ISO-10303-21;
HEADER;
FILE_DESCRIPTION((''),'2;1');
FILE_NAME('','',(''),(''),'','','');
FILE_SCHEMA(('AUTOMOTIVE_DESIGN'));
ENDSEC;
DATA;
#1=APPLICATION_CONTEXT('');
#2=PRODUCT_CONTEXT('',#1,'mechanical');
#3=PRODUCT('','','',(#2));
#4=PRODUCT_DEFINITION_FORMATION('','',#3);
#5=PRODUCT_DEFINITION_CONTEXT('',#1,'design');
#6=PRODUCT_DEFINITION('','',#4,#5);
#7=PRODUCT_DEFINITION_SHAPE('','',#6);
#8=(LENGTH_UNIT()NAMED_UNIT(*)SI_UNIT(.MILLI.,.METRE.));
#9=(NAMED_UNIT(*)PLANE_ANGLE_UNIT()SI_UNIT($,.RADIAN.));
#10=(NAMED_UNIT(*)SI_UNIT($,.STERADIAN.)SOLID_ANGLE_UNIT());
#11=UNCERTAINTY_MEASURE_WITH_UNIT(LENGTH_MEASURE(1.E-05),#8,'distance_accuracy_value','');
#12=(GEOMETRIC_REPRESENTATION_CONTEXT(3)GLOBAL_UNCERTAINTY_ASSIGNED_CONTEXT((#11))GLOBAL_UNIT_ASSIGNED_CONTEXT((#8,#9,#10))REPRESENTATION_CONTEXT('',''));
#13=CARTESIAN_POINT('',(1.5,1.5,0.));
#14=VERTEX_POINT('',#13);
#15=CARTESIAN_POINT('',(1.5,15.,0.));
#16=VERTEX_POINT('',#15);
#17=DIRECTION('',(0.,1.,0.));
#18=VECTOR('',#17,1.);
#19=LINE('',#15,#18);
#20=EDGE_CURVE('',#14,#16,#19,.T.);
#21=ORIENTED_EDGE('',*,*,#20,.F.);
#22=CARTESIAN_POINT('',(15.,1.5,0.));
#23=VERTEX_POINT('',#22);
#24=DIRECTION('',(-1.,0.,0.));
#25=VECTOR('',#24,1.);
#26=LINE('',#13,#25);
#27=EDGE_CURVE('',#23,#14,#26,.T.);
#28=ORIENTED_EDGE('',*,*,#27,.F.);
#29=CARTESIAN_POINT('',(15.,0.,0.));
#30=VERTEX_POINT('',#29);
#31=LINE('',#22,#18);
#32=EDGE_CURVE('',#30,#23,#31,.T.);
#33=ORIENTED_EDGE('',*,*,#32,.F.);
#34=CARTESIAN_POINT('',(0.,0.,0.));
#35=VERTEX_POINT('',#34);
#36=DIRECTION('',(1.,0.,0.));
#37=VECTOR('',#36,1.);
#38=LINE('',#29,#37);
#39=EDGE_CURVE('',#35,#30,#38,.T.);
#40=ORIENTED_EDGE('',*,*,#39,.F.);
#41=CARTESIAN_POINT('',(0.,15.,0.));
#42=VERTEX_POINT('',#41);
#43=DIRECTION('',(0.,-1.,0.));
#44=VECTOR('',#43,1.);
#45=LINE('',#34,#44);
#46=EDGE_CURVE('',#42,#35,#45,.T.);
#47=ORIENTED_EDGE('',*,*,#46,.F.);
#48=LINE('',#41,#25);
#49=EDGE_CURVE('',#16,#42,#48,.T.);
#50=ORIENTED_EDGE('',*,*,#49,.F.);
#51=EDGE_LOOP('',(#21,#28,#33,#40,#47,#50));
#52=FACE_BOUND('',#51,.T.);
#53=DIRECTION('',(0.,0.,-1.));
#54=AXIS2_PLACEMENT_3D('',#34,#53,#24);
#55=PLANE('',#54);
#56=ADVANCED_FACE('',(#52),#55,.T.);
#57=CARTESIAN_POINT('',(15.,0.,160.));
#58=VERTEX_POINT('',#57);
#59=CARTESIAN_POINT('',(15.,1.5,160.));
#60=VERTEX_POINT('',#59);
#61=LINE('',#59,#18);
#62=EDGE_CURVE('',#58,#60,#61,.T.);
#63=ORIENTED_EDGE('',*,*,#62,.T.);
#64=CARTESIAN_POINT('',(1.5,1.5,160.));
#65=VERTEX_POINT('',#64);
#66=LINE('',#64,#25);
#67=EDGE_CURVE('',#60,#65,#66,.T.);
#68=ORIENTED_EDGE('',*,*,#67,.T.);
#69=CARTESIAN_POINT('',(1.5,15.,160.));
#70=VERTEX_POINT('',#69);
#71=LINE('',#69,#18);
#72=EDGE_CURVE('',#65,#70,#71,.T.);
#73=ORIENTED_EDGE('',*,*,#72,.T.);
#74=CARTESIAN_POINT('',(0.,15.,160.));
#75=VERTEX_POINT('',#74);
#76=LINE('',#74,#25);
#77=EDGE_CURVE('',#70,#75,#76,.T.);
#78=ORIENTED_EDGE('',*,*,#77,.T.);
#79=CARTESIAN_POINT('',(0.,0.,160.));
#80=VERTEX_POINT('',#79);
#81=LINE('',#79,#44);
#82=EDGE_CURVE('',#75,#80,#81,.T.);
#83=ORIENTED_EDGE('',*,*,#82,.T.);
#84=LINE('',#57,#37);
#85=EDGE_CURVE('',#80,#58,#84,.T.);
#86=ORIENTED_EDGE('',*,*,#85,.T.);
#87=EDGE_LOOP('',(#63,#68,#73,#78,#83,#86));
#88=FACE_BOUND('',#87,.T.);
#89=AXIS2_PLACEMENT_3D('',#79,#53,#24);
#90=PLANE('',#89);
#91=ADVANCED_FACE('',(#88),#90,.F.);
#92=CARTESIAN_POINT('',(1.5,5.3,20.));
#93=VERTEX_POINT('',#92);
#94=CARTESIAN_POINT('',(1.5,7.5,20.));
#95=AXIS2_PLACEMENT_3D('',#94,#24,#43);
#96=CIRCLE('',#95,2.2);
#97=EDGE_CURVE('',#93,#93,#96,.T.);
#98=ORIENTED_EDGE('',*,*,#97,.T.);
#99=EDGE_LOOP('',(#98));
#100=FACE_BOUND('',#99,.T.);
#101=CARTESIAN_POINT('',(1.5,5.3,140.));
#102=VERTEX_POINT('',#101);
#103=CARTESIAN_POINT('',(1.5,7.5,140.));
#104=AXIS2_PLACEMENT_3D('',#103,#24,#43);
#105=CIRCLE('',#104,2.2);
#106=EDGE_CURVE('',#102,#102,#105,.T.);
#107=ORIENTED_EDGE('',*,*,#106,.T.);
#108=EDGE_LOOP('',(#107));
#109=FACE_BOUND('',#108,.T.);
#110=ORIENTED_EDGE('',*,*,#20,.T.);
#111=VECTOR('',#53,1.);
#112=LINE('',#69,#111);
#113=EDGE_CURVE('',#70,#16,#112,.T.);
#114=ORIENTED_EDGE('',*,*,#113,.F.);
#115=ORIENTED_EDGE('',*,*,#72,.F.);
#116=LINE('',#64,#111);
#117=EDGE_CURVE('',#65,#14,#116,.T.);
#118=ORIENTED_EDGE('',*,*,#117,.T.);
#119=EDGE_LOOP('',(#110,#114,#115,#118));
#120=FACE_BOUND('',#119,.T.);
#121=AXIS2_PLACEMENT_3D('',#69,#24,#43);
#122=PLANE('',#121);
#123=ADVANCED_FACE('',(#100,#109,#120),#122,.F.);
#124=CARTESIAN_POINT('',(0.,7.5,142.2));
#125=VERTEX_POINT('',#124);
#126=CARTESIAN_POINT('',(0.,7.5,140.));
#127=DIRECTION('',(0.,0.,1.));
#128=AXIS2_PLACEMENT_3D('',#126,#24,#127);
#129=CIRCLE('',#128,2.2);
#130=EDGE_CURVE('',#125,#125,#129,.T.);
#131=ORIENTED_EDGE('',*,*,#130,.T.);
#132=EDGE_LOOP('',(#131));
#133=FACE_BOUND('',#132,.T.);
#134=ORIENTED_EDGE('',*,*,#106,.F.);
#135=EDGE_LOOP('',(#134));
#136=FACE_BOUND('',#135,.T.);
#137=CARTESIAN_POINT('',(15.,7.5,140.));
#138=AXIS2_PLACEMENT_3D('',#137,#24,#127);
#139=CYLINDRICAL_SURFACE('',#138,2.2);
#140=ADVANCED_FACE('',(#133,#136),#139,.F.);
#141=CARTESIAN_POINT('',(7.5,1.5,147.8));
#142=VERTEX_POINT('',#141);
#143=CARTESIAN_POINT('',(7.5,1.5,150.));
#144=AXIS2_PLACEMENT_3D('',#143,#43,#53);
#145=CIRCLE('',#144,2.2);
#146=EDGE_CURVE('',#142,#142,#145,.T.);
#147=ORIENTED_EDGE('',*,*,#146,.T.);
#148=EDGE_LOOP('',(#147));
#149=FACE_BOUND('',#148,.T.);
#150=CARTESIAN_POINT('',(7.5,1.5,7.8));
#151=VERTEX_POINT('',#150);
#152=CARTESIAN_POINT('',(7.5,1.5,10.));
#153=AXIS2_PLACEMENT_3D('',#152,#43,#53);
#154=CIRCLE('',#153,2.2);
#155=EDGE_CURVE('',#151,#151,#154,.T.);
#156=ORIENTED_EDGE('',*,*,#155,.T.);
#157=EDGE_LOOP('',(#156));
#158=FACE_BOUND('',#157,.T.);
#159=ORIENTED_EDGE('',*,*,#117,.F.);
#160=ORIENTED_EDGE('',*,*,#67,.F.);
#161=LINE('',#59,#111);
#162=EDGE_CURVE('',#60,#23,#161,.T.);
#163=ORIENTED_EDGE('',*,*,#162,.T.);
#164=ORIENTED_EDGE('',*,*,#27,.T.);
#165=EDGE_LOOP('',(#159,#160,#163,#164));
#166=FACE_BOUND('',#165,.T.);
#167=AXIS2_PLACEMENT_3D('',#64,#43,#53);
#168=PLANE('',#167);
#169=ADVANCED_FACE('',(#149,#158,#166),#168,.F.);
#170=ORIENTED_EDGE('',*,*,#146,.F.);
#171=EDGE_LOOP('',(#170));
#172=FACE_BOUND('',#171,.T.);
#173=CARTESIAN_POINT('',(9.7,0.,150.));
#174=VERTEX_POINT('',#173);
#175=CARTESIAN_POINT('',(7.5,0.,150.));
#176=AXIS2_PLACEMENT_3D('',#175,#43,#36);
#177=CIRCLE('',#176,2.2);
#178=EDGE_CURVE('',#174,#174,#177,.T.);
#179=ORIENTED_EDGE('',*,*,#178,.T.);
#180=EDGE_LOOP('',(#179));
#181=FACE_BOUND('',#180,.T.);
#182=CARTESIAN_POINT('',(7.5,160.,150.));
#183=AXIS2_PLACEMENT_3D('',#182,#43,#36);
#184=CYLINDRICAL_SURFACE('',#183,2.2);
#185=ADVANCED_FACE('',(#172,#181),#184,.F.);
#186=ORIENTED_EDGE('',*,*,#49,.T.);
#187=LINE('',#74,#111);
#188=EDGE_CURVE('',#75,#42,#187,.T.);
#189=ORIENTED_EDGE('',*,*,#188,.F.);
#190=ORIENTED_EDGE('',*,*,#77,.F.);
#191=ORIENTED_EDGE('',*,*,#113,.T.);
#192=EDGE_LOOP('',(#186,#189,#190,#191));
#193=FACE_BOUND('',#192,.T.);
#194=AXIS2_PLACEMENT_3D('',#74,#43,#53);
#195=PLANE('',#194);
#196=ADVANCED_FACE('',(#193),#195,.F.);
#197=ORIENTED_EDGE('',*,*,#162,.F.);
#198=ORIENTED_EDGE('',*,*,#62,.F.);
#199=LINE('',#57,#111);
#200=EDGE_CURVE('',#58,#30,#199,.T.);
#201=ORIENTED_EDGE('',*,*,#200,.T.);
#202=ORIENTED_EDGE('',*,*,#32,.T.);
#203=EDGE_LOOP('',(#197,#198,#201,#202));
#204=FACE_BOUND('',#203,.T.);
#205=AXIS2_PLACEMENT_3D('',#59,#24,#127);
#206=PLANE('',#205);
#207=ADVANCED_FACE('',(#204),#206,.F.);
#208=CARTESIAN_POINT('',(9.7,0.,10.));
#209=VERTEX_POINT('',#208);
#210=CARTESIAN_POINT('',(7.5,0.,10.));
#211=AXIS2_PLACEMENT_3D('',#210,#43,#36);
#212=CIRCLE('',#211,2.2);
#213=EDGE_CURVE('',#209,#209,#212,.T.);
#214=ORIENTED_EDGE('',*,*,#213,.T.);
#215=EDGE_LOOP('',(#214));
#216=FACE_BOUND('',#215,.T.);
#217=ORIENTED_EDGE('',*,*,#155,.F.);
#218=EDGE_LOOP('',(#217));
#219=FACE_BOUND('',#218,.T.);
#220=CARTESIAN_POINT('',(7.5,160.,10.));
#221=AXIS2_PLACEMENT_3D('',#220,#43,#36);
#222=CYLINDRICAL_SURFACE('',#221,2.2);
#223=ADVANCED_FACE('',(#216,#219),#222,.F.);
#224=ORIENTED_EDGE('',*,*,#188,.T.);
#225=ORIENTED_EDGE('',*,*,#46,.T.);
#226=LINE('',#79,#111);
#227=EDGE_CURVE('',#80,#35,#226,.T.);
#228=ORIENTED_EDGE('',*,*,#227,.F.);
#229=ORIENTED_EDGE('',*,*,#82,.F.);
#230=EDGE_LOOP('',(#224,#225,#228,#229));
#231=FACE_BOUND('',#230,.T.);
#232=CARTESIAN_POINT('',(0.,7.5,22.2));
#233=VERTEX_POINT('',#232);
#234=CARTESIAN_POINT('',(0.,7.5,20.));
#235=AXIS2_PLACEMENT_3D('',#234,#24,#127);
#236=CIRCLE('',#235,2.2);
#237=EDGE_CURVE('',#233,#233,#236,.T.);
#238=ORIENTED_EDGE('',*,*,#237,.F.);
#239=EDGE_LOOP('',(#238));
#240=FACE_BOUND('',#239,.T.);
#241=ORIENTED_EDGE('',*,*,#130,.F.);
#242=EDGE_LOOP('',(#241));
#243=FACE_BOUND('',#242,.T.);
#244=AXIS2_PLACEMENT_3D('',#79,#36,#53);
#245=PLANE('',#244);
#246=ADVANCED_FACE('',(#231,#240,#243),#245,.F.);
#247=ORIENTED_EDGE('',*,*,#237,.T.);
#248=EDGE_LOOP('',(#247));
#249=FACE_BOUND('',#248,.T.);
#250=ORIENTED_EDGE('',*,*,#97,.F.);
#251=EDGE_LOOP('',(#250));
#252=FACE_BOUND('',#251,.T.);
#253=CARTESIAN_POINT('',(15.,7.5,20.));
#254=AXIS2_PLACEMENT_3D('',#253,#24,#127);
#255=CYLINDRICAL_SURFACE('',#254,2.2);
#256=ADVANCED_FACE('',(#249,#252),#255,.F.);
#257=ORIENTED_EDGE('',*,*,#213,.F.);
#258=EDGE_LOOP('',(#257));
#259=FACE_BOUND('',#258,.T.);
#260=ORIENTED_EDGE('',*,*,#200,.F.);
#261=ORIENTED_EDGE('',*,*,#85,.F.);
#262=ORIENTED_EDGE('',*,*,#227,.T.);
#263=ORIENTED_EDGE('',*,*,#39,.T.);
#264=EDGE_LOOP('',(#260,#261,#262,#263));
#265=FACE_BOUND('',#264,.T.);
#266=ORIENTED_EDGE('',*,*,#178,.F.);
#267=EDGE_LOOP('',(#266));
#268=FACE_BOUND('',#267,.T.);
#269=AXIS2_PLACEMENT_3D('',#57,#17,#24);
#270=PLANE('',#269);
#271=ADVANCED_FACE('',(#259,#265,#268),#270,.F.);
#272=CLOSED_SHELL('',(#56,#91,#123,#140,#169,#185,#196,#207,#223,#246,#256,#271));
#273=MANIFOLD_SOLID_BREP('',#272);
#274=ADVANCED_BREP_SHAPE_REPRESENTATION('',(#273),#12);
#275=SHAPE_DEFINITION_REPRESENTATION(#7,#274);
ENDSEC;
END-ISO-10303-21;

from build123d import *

# Parameters (mm, degrees)
EXTRUDE_1_DEPTH     = 160
SKETCH_2_R          = 2.2
CUT_EXTRUDE_1_DEPTH = 16
SKETCH_3_R          = 2.2
CUT_EXTRUDE_2_DEPTH = 160


with BuildPart() as part:
    # ｽｹｯﾁ1 → ﾎﾞｽ - 押し出し1 (new body)
    with BuildSketch(Plane.XY):
        Polygon((0, 0), (0, 15), (1.5, 15), (1.5, 1.5), (15, 1.5), (15, 0), align=None)
    extrude(amount=EXTRUDE_1_DEPTH)

    # ｽｹｯﾁ2 → ｶｯﾄ - 押し出し1 (cut, through all)
    with BuildSketch(Plane.ZY):
        with Locations((20, 7.5)):
            Circle(SKETCH_2_R)
        with Locations((140, 7.5)):
            Circle(SKETCH_2_R)
    extrude(amount=-CUT_EXTRUDE_1_DEPTH, mode=Mode.SUBTRACT)

    # ｽｹｯﾁ3 → ｶｯﾄ - 押し出し2 (cut)
    with BuildSketch(Plane(origin=(0, 0, 0), x_dir=(-1, 0, 0), z_dir=(0, -1, 0))):
        with Locations((-7.5, -10)):
            Circle(SKETCH_3_R)
        with Locations((-7.5, -150)):
            Circle(SKETCH_3_R)
    extrude(amount=-CUT_EXTRUDE_2_DEPTH, mode=Mode.SUBTRACT)


solid = part.part
